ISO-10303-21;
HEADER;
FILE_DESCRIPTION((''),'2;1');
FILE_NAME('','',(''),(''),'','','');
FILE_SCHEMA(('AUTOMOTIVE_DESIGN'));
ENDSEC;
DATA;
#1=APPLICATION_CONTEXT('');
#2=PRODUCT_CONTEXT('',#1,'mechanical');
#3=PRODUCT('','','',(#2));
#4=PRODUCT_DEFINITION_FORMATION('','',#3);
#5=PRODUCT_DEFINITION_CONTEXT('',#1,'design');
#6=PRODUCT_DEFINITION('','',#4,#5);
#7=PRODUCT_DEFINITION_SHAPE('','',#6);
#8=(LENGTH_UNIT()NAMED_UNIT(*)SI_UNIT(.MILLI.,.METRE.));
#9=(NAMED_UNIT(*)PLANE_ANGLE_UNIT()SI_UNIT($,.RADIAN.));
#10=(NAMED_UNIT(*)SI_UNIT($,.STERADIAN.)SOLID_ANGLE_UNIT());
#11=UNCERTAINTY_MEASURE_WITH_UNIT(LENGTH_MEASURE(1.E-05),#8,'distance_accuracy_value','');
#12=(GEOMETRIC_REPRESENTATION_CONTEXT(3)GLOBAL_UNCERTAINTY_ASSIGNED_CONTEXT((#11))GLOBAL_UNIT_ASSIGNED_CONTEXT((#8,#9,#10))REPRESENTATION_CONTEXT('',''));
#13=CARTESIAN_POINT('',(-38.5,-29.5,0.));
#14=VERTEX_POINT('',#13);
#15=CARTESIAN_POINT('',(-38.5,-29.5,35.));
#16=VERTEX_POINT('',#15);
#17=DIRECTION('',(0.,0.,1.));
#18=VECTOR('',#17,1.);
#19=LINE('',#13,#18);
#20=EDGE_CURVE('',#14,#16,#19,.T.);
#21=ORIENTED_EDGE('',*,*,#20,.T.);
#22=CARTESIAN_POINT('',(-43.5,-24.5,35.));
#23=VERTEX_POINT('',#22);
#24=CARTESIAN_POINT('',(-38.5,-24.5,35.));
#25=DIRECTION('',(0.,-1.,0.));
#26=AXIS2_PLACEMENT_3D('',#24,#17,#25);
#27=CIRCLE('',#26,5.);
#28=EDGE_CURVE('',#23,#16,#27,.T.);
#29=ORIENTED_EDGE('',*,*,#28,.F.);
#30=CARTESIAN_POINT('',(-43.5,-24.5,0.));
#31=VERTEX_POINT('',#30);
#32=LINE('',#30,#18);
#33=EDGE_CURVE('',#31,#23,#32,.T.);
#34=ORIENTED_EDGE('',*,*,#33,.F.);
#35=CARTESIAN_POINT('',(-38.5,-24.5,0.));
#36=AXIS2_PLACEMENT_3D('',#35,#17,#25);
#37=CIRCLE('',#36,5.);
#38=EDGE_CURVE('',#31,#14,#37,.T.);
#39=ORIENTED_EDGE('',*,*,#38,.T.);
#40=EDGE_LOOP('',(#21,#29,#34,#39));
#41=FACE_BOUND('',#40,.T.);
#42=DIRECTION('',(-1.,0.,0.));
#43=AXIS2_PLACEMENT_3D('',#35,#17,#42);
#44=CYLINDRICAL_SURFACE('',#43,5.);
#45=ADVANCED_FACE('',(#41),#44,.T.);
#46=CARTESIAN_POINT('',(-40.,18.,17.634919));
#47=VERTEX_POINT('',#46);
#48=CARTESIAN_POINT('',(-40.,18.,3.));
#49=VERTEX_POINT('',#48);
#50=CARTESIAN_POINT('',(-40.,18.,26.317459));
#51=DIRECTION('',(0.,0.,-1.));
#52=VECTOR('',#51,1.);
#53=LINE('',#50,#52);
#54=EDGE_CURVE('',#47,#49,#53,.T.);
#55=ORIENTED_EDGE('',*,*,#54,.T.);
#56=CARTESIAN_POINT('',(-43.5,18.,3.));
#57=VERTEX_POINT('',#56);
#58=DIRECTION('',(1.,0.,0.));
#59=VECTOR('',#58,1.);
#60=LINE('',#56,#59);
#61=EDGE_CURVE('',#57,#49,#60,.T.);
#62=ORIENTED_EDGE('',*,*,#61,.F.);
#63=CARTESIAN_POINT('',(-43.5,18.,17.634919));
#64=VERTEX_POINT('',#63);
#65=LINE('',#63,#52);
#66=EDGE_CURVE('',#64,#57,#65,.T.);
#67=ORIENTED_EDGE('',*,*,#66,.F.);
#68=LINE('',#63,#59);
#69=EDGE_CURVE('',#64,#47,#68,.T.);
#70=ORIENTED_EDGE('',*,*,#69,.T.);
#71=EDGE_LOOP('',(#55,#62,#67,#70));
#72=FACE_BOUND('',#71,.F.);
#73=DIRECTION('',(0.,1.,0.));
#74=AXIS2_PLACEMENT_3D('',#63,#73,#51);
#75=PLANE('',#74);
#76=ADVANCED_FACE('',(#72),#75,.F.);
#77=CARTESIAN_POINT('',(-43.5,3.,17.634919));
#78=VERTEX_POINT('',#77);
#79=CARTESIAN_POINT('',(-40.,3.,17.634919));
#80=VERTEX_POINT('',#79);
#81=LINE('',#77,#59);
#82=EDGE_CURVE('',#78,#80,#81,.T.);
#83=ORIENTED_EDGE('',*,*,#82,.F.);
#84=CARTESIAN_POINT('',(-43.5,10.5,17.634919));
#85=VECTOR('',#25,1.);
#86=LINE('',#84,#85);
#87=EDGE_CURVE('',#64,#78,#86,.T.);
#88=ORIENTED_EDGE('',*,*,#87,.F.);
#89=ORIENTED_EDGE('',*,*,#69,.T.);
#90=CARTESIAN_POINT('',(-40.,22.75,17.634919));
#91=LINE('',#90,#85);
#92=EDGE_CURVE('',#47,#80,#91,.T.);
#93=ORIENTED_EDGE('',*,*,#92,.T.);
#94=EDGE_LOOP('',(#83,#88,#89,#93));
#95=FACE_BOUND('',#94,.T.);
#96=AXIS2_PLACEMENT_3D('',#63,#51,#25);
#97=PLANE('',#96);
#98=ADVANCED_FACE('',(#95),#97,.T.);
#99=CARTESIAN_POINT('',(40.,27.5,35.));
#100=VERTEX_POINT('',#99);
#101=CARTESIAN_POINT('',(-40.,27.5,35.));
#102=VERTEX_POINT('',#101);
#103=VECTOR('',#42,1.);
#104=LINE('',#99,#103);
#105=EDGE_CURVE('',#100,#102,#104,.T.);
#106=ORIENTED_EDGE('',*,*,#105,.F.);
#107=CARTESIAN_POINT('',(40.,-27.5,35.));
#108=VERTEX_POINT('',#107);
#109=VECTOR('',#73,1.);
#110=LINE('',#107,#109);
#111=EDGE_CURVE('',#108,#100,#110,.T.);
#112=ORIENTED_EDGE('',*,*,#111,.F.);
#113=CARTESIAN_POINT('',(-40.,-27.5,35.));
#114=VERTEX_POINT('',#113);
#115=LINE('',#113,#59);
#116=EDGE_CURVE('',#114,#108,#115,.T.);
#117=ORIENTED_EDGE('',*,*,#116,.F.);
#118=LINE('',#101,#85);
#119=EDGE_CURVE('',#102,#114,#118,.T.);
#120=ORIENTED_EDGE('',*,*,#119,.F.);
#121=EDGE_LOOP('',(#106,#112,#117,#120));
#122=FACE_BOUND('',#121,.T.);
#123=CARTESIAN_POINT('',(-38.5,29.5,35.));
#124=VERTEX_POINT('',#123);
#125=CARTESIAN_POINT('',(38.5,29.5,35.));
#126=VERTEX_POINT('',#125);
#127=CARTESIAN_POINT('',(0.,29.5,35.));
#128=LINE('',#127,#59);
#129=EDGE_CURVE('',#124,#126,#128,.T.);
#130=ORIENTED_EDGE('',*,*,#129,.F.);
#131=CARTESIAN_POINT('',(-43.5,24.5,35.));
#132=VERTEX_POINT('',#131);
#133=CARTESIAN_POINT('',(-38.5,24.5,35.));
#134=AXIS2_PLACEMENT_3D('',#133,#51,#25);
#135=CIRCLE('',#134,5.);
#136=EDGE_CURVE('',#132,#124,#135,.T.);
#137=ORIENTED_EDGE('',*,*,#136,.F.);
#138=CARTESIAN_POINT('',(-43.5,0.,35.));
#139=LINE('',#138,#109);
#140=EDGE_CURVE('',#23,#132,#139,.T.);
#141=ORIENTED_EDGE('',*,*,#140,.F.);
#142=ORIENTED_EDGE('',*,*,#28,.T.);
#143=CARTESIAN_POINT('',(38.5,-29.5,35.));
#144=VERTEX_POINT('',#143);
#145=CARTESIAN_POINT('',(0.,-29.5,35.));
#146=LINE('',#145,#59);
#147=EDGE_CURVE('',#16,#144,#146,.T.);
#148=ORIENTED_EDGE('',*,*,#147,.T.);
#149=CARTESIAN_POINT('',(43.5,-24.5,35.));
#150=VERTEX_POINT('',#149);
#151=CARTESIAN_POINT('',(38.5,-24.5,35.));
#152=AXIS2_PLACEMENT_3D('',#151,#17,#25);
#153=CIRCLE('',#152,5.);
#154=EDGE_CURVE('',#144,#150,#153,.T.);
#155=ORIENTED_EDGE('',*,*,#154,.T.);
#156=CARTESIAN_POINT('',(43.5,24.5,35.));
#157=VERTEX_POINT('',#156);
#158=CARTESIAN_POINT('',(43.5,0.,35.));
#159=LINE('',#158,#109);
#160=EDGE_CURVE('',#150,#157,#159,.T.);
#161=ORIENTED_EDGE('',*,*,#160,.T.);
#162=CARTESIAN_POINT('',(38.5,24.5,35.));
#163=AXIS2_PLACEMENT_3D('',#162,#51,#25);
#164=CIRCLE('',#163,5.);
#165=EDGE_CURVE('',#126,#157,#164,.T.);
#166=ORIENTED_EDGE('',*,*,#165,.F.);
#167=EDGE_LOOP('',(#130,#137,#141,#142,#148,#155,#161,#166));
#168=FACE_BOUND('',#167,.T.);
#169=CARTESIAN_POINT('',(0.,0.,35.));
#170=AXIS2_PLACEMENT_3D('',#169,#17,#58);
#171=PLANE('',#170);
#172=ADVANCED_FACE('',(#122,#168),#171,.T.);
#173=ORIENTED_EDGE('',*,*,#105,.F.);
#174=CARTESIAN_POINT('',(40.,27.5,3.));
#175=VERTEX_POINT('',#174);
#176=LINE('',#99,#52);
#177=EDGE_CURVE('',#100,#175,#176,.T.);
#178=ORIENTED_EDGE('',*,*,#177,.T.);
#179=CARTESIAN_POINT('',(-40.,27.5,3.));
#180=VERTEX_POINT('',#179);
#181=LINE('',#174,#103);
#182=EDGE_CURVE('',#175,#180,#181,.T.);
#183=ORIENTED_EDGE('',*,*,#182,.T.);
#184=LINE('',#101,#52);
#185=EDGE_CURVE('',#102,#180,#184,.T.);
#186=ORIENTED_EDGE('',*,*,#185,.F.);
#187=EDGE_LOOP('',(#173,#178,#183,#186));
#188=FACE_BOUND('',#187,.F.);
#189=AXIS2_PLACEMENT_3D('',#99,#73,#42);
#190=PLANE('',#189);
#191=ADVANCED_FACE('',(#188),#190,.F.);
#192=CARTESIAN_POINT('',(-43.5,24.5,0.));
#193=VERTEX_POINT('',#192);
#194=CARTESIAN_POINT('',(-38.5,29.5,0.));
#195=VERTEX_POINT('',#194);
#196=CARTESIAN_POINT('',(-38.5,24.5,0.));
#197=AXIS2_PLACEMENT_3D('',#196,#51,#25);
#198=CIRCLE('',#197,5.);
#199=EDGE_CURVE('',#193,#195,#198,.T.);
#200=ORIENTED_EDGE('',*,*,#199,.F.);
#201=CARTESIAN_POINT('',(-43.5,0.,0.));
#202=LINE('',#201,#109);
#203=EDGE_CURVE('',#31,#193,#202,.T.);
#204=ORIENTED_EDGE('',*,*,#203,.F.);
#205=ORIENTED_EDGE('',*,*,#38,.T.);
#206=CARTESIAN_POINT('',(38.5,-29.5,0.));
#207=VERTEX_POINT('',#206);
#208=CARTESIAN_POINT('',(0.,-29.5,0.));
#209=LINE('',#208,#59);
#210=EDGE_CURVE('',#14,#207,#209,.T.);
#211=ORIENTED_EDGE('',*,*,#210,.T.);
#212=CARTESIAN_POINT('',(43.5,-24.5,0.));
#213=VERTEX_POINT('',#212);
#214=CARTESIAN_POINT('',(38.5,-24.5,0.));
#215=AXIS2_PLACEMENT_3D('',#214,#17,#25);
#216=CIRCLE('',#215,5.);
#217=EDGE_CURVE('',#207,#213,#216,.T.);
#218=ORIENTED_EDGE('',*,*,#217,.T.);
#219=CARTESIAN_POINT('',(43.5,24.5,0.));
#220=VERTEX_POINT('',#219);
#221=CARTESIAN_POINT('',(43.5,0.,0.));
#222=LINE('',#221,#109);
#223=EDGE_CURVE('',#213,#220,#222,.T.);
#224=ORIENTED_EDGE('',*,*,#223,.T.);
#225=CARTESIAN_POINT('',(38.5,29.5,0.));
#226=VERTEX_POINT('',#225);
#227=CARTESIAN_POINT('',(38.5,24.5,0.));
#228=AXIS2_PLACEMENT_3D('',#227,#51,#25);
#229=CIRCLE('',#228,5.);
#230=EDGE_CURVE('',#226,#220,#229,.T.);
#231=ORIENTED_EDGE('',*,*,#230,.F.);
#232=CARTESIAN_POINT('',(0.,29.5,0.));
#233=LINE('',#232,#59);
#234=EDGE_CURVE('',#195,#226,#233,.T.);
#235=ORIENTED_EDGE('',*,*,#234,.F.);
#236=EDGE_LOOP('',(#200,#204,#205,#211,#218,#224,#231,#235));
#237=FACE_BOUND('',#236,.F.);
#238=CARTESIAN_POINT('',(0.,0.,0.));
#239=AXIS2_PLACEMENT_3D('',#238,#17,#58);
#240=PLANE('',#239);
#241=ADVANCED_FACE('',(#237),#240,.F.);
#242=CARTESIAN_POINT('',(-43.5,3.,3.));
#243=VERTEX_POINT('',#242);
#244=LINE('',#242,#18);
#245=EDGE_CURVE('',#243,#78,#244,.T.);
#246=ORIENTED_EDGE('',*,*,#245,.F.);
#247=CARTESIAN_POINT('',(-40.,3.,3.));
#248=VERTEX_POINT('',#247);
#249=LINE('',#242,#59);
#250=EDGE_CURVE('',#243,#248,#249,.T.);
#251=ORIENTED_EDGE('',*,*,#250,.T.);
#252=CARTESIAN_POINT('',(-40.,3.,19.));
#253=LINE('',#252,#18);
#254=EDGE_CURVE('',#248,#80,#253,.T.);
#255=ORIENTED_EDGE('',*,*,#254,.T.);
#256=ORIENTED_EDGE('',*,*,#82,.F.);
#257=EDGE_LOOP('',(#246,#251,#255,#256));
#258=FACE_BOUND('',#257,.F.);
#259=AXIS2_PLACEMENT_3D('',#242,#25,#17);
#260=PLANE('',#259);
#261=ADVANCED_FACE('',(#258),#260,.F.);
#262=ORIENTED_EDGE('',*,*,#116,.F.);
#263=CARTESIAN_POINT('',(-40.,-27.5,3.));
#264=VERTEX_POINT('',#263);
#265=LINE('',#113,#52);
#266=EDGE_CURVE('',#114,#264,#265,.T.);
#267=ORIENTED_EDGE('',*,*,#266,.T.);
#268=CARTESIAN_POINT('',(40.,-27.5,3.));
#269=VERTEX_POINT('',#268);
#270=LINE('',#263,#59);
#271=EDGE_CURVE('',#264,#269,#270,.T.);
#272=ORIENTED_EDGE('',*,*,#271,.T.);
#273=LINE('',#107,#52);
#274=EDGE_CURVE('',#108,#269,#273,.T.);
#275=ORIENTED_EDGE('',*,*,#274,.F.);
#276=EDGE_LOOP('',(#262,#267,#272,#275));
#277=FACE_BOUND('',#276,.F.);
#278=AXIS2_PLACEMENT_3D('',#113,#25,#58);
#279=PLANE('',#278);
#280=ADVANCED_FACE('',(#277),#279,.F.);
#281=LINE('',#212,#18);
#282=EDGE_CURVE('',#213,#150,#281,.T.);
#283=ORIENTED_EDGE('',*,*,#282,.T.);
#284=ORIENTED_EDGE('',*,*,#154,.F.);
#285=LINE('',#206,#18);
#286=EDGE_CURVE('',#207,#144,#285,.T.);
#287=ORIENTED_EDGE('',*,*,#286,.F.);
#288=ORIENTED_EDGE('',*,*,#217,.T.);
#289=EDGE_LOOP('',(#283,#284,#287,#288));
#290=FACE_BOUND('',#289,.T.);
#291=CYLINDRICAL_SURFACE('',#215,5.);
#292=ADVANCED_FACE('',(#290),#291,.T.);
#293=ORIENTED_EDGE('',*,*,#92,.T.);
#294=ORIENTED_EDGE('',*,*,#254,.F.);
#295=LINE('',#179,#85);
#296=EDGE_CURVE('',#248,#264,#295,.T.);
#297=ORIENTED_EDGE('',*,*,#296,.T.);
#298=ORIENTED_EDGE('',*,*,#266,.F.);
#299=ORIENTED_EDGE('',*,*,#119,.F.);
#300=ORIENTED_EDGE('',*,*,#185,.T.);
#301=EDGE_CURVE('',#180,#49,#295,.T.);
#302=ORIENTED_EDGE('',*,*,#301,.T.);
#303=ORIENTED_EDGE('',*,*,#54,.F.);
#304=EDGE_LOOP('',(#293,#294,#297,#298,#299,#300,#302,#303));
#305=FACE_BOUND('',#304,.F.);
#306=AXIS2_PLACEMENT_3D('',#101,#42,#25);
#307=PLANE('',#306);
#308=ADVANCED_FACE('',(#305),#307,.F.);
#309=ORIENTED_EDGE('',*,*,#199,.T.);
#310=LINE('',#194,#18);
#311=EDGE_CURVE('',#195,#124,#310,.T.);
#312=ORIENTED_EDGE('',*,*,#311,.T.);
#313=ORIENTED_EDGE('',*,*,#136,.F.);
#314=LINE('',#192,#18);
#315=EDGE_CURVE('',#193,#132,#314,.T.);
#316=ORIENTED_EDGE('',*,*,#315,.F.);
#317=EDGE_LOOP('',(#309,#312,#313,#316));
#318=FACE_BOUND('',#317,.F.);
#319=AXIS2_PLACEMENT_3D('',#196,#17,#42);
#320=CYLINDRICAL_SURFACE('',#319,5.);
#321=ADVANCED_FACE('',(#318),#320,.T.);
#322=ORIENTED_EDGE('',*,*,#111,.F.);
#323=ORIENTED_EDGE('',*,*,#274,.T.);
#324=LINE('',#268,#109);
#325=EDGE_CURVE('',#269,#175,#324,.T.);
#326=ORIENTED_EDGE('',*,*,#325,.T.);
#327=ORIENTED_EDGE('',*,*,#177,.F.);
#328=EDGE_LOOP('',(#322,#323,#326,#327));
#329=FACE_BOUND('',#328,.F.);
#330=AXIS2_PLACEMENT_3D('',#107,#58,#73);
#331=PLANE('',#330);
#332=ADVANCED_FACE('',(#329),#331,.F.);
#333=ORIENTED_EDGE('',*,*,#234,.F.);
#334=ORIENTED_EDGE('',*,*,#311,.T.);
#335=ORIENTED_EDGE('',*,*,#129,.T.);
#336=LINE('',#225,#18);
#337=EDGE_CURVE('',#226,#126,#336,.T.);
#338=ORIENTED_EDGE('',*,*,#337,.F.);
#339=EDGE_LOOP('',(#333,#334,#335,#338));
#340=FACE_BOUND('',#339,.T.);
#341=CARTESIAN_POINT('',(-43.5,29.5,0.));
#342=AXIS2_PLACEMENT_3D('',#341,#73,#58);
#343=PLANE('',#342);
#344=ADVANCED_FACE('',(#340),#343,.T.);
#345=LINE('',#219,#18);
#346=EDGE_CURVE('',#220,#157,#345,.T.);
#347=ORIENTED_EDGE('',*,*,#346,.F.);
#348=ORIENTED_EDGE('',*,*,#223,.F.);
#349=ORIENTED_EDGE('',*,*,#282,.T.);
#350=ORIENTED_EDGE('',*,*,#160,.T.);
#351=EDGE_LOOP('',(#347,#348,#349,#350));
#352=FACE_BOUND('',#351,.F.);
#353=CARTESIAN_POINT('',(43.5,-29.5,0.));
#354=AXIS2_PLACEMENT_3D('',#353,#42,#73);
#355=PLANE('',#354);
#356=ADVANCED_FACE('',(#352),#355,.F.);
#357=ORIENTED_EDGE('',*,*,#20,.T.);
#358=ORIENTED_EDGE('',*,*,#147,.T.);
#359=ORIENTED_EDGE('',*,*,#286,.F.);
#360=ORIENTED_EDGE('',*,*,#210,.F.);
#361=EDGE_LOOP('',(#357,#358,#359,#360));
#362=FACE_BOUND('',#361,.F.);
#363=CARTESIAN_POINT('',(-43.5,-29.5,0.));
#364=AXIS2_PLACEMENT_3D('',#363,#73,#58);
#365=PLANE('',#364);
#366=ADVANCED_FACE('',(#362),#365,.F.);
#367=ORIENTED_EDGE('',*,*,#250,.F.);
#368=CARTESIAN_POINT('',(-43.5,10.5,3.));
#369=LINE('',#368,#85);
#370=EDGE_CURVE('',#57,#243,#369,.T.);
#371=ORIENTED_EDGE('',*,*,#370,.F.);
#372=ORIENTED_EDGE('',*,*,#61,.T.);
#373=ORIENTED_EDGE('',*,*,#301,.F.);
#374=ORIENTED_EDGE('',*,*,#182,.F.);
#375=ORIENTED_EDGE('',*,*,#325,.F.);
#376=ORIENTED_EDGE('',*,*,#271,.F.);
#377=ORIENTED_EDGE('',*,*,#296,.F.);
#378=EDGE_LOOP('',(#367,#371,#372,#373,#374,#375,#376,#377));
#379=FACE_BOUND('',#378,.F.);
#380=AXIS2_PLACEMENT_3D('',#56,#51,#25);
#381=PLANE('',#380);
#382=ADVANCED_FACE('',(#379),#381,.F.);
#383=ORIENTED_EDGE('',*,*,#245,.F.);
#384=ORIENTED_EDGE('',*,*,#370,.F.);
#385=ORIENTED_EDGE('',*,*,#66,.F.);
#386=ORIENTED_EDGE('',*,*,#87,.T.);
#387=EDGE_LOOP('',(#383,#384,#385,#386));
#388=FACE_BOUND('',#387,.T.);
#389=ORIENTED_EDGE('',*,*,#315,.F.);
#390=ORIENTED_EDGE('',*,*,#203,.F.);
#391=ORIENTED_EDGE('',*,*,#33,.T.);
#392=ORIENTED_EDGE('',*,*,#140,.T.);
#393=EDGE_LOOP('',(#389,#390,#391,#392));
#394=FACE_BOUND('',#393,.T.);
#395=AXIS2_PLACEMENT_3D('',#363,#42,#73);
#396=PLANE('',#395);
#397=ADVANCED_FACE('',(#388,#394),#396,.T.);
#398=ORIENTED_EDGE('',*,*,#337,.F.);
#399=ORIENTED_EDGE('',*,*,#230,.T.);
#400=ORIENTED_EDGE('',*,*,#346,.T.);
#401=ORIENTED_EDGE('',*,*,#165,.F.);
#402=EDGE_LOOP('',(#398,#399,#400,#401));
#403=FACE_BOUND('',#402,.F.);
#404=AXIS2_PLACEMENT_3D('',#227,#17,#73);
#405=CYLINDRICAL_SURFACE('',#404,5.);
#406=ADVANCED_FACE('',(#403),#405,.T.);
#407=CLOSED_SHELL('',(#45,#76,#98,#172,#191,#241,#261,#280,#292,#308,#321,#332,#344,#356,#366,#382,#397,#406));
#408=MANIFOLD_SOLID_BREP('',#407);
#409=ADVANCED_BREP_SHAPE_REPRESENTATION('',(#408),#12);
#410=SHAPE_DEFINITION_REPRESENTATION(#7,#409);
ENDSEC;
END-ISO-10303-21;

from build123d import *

# Parameters (mm, degrees)
F0_W     = 87
F0_H     = 59
F1_DEPTH = 35
F2_W     = 40
F2_H     = 27.5
F3_DEPTH = 32
F4_R     = 5
F5_W     = 15
F5_H     = 12.435101904
F5_H_2   = 2.1998170093
F6_DEPTH = 25


with BuildPart() as f1:
    # F0 (on Top) → F1 (new body)
    with BuildSketch(Plane.XY):
        Rectangle(F0_W, F0_H)
    extrude(amount=F1_DEPTH)

    # F2 (on face) → F3 (cut)
    with BuildSketch(Plane.XY.offset(35)):
        with Locations((-20, -13.75)):
            Rectangle(F2_W, F2_H)
        with Locations((20, 13.75)):
            Rectangle(F2_W, F2_H)
        with Locations((20, -13.75)):
            Rectangle(F2_W, F2_H)
        with Locations((-20, 13.75)):
            Rectangle(F2_W, F2_H)
    extrude(amount=-F3_DEPTH, mode=Mode.SUBTRACT)

    # F4
    f4_edges = [f1.edges().sort_by_distance(p)[0] for p in [
        (-43.5, -29.5, 17.5),
        (43.5, -29.5, 17.5),
        (43.5, 29.5, 17.5),
        (-43.5, 29.5, 17.5),
    ]]
    fillet(f4_edges, radius=F4_R)

    # F5 (on face) → F6 (cut)
    with BuildSketch(Plane(origin=(-43.5, 0, 0), x_dir=(0, -1, 0), z_dir=(-1, 0, 0))):
        with Locations((-10.5, 11.4173679613)):
            Rectangle(F5_W, F5_H)
        with Locations((-10.5, 4.0999085046)):
            Rectangle(F5_W, F5_H_2)
    extrude(amount=-F6_DEPTH, mode=Mode.SUBTRACT)


solid = f1.part
